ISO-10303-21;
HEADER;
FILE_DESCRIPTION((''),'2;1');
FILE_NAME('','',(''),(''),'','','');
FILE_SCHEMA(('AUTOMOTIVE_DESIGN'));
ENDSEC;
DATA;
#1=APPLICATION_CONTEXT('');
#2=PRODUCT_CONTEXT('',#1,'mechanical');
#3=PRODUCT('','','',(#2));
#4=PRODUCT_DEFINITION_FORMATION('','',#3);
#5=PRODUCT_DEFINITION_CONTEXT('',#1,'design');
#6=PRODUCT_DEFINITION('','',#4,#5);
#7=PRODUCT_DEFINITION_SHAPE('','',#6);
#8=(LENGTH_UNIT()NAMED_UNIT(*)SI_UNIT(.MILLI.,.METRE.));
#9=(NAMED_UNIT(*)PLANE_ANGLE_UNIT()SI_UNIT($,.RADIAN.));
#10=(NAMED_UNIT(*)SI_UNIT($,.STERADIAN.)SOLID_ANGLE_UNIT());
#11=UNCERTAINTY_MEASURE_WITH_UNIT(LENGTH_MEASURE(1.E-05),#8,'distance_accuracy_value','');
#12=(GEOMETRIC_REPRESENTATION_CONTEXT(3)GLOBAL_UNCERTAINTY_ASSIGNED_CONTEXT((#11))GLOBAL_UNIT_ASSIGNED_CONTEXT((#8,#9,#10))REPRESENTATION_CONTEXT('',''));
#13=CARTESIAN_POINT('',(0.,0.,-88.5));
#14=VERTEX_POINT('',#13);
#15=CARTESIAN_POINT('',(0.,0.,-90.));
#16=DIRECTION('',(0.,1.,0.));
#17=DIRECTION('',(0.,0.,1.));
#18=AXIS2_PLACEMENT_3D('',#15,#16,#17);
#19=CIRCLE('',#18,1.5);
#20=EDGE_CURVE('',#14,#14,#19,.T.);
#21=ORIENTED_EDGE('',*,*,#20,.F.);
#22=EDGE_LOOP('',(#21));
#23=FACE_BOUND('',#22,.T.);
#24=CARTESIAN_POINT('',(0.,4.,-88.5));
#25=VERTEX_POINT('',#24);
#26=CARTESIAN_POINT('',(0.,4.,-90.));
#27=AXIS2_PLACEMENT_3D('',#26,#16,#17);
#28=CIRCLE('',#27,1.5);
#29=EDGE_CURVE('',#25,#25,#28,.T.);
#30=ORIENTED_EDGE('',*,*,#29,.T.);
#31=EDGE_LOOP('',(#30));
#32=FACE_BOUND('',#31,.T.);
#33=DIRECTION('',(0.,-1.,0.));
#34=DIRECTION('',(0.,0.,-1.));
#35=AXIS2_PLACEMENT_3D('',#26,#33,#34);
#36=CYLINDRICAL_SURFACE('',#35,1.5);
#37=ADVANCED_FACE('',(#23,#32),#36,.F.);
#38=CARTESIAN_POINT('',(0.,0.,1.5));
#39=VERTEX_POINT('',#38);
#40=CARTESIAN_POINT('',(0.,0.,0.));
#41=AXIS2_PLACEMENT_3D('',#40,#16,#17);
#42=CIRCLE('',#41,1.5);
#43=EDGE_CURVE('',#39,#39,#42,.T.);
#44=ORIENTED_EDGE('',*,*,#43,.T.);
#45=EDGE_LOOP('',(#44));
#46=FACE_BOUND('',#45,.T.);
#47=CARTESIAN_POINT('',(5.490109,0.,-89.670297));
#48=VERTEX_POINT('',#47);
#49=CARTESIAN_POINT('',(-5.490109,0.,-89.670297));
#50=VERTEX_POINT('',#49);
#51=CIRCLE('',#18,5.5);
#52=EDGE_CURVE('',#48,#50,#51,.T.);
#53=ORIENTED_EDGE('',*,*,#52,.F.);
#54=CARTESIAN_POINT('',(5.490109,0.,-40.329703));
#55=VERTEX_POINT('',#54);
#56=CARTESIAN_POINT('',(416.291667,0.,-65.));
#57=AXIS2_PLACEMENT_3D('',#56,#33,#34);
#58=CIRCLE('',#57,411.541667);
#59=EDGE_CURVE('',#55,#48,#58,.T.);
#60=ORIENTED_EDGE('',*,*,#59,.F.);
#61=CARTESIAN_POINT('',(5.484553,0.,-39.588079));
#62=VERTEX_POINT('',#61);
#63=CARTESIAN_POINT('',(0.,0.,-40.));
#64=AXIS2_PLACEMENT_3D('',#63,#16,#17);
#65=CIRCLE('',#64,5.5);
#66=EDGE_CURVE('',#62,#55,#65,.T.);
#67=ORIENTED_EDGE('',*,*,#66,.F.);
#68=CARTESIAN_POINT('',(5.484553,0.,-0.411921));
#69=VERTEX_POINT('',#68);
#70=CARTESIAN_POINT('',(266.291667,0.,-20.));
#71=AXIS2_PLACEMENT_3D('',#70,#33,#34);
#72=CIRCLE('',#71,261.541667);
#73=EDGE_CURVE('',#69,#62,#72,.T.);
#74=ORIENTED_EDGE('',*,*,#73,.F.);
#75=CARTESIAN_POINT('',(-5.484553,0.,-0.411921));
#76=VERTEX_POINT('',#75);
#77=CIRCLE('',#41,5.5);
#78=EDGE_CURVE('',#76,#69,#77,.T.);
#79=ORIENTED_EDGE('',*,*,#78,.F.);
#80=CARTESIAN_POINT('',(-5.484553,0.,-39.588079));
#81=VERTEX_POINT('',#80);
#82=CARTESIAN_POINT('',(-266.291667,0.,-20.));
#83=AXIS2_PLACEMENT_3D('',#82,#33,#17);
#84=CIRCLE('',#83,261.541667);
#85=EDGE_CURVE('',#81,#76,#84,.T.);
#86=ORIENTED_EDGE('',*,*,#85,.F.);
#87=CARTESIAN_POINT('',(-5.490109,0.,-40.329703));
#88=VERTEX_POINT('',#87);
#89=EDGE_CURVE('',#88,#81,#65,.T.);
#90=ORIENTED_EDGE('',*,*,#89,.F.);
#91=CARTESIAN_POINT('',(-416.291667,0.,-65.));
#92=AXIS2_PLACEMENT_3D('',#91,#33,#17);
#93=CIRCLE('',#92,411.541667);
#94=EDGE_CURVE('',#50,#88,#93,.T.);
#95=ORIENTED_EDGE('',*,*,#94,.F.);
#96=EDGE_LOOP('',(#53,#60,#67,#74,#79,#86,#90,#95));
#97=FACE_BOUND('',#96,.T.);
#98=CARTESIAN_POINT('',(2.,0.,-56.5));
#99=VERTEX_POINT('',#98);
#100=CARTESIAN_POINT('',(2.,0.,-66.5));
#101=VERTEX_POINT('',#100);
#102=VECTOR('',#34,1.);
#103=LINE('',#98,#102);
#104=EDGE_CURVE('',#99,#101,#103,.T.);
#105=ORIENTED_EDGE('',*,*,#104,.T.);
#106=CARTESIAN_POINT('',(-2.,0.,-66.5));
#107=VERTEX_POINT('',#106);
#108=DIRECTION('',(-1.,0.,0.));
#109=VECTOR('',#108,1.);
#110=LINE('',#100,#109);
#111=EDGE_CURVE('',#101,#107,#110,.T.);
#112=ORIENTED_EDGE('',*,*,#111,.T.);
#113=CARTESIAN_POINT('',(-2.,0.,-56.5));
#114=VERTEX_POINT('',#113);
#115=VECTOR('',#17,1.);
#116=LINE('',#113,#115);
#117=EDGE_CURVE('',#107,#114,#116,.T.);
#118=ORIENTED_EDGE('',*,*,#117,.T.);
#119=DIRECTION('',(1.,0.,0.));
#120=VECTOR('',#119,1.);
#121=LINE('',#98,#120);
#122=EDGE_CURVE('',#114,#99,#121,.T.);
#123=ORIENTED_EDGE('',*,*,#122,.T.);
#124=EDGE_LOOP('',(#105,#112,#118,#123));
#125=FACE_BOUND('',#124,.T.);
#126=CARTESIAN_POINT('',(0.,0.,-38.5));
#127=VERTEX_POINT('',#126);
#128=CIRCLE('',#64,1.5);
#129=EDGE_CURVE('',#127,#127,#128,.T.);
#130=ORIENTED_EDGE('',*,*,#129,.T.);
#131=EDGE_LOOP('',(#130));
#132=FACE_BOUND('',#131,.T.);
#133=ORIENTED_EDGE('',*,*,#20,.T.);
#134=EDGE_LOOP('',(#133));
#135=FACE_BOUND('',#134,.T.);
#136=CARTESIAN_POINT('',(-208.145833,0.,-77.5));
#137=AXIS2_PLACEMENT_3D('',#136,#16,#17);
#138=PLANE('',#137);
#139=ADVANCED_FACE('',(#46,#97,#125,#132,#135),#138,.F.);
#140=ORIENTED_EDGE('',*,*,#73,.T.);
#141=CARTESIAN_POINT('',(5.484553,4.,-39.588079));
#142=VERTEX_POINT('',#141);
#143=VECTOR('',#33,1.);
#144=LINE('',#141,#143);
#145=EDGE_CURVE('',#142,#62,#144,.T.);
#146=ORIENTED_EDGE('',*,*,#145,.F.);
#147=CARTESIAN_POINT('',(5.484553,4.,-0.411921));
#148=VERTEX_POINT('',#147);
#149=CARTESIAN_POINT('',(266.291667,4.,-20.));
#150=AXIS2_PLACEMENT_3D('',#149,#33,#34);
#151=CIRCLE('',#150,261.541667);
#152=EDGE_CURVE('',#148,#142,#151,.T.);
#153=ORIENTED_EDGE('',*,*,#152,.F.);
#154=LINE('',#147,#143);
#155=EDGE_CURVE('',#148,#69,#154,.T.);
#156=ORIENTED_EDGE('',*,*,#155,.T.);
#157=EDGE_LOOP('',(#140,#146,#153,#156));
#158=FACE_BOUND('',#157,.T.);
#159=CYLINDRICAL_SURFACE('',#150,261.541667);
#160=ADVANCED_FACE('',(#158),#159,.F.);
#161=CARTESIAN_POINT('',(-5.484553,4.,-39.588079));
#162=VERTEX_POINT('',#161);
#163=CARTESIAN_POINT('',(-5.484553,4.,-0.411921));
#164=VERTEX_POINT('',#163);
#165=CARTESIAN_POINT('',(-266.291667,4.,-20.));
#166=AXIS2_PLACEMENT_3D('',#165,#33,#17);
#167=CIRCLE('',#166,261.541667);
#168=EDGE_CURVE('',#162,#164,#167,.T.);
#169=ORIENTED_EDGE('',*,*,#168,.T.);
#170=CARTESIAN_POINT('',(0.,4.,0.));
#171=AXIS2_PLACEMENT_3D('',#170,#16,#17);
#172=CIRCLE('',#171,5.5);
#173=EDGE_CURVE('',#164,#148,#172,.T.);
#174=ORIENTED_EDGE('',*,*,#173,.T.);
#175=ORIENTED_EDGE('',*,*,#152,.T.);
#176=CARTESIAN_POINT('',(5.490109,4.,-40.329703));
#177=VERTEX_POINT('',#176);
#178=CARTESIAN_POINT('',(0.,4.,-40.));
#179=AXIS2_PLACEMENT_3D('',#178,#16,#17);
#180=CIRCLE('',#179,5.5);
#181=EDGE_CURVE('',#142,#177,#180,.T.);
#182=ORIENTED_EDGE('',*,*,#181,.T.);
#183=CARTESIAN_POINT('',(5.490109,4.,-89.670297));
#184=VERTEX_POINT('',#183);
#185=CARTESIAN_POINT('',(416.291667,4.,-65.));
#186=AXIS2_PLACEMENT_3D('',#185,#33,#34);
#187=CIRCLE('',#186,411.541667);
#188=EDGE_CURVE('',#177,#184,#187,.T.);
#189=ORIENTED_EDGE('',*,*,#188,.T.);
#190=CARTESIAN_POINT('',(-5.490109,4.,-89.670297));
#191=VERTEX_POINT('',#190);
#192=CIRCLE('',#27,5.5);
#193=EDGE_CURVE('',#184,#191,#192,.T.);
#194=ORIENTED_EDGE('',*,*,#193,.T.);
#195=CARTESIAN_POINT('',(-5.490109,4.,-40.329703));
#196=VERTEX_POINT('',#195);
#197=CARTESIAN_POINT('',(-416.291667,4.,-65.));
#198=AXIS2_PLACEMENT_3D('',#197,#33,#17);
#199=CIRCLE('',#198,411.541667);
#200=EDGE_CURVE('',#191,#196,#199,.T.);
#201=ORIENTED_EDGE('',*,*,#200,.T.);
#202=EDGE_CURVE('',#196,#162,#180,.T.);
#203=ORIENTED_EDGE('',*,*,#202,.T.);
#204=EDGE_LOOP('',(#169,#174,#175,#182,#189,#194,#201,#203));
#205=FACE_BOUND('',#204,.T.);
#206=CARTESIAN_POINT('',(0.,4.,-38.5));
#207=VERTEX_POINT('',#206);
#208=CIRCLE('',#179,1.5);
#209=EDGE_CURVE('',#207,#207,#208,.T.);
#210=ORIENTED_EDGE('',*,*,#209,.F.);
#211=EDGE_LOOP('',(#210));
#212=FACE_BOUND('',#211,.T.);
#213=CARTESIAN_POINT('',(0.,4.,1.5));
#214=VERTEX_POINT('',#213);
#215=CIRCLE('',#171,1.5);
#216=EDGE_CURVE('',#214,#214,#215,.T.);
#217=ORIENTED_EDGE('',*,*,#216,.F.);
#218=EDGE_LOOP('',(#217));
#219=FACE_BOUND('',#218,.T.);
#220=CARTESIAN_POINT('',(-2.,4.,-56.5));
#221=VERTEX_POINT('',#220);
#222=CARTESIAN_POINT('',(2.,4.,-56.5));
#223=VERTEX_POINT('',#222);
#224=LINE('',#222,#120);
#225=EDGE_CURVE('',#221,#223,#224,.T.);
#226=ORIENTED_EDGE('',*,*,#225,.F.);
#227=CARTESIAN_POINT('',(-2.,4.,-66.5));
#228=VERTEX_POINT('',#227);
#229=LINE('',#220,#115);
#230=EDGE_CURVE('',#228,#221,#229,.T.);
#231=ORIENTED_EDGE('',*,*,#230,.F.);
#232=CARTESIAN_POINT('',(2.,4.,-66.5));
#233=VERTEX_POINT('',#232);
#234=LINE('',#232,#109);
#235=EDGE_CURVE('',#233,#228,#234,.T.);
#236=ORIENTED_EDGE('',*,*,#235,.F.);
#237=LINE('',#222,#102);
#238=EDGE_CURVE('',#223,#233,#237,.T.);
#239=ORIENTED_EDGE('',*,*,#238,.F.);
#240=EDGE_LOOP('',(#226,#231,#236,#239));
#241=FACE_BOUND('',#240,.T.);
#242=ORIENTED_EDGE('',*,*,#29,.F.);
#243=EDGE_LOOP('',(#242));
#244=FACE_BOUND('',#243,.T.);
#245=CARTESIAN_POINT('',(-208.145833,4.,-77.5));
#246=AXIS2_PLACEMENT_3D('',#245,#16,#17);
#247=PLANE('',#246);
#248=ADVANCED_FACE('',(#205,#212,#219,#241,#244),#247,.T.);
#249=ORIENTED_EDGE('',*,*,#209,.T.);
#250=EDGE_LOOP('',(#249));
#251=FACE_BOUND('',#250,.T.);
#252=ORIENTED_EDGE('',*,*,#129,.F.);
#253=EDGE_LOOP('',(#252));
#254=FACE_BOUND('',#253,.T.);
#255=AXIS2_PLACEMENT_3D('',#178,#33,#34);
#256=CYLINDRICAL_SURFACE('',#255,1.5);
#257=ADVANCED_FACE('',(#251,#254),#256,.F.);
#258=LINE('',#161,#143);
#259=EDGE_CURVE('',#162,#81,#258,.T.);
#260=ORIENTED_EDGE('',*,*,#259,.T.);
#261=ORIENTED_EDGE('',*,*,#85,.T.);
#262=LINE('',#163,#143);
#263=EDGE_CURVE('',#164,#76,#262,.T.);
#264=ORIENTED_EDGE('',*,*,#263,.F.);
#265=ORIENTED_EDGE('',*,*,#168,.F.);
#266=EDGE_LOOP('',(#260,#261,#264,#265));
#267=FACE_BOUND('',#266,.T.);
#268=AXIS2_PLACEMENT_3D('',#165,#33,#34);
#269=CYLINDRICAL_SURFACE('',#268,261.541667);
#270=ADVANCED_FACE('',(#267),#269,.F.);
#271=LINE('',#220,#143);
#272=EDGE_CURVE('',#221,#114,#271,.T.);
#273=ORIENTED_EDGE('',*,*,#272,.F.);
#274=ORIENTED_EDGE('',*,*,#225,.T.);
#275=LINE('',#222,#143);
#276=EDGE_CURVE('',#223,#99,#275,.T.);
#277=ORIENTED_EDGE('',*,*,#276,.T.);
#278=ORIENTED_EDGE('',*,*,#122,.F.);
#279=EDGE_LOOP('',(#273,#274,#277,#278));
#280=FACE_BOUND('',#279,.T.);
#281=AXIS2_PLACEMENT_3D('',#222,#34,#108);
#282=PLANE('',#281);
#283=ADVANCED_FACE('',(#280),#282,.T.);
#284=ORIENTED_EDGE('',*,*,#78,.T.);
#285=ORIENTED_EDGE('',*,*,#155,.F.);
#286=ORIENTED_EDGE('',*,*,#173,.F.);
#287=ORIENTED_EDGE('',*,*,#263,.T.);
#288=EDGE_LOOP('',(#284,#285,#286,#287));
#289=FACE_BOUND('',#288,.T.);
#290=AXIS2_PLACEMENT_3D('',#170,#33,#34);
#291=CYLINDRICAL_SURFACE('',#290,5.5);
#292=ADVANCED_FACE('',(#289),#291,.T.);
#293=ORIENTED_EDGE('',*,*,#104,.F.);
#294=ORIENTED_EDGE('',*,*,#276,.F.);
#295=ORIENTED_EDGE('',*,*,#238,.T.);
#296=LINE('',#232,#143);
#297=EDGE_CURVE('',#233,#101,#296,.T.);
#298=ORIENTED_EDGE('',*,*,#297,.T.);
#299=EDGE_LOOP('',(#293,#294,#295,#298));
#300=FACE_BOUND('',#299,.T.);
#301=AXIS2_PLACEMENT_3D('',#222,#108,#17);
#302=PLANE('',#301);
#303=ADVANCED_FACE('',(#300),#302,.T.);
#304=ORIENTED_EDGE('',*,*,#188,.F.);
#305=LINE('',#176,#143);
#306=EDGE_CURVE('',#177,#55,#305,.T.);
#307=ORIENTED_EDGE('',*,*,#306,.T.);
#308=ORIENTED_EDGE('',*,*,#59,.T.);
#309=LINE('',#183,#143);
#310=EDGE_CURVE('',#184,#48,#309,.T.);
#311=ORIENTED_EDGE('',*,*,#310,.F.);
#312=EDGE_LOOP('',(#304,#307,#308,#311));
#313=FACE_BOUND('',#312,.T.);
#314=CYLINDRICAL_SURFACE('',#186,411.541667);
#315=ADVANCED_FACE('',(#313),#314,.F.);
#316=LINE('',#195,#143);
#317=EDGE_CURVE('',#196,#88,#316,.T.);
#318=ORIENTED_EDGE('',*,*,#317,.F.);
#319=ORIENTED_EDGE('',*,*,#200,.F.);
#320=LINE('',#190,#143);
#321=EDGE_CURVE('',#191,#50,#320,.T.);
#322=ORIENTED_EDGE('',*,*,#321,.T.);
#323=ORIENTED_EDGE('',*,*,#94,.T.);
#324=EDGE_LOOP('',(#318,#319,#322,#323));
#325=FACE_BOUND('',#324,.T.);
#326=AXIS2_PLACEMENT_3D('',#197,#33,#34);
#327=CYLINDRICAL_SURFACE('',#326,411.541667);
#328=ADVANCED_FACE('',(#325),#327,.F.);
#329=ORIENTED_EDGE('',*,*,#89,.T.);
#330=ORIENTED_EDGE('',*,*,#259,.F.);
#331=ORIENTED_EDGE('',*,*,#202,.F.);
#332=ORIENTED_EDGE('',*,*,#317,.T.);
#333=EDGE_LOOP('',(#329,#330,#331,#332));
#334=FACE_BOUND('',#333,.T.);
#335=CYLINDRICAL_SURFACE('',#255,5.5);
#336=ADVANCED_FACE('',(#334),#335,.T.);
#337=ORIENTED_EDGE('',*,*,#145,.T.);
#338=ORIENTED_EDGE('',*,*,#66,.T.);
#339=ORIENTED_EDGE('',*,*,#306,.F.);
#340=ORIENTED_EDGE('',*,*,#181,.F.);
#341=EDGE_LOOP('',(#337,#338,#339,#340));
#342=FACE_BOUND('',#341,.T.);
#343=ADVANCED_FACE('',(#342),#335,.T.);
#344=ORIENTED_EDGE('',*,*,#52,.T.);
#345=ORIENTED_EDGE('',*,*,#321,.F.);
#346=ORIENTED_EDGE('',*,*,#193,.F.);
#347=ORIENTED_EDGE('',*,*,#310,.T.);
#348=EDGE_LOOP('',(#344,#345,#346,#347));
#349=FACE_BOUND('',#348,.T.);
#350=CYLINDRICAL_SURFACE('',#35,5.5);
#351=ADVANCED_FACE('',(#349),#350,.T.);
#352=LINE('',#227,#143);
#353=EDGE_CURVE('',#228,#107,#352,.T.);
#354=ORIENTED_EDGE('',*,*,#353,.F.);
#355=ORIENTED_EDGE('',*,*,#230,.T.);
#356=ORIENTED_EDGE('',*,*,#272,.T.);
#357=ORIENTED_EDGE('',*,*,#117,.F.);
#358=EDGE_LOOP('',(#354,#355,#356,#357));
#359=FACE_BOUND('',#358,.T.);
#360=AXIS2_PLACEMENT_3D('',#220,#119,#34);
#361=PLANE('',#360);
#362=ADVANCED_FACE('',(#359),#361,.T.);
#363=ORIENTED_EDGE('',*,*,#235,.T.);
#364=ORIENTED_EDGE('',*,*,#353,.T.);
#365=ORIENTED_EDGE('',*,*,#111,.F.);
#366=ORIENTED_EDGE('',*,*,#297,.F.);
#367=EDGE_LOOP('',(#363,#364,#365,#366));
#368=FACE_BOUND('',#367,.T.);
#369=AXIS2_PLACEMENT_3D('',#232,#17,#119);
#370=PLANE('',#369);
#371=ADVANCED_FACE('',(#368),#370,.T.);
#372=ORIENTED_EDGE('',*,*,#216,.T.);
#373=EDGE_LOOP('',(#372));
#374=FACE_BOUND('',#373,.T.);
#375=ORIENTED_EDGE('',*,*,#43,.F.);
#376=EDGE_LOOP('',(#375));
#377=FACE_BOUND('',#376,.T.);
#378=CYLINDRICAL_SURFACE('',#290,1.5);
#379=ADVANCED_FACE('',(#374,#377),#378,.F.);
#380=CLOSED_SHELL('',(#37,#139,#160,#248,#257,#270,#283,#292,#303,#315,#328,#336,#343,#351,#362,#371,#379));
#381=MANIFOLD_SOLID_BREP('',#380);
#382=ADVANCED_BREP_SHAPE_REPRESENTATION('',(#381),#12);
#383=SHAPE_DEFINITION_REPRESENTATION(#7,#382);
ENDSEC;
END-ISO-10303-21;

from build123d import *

# Parameters (mm, degrees)
SKETCH1_R           = 1.5
SKETCH1_W           = 4
SKETCH1_H           = 10
BOSS_EXTRUDE1_DEPTH = 4


with BuildPart() as part:
    # Sketch1 → Boss-Extrude1 (new body)
    with BuildSketch(Plane(origin=(0, 0, 0), x_dir=(1, 0, 0), z_dir=(0, 1, 0))):
        with BuildLine():
            ThreePointArc((-5.484552972, 0.411920736), (0, -5.5), (5.484552972, 0.411920736))
            ThreePointArc((5.484552972, 0.411920736), (4.75, 20), (5.484552972, 39.588079264))
            ThreePointArc((5.484552972, 39.588079264), (5.499845666, 39.95879751), (5.490108902, 40.329703267))
            ThreePointArc((5.490108902, 40.329703267), (4.75, 65), (5.490108902, 89.670296733))
            ThreePointArc((5.490108902, 89.670296733), (0, 95.5), (-5.490108902, 89.670296733))
            ThreePointArc((-5.490108902, 89.670296733), (-4.75, 65), (-5.490108902, 40.329703267))
            ThreePointArc((-5.490108902, 40.329703267), (-5.499845666, 39.95879751), (-5.484552972, 39.588079264))
            ThreePointArc((-5.484552972, 39.588079264), (-4.75, 20), (-5.484552972, 0.411920736))
        make_face()
        Circle(SKETCH1_R, mode=Mode.SUBTRACT)
        with Locations((0, 90)):
            Circle(SKETCH1_R, mode=Mode.SUBTRACT)
        with Locations((0, 40)):
            Circle(SKETCH1_R, mode=Mode.SUBTRACT)
        with Locations((0, 61.5)):
            Rectangle(SKETCH1_W, SKETCH1_H, mode=Mode.SUBTRACT)
    extrude(amount=BOSS_EXTRUDE1_DEPTH)


solid = part.part
